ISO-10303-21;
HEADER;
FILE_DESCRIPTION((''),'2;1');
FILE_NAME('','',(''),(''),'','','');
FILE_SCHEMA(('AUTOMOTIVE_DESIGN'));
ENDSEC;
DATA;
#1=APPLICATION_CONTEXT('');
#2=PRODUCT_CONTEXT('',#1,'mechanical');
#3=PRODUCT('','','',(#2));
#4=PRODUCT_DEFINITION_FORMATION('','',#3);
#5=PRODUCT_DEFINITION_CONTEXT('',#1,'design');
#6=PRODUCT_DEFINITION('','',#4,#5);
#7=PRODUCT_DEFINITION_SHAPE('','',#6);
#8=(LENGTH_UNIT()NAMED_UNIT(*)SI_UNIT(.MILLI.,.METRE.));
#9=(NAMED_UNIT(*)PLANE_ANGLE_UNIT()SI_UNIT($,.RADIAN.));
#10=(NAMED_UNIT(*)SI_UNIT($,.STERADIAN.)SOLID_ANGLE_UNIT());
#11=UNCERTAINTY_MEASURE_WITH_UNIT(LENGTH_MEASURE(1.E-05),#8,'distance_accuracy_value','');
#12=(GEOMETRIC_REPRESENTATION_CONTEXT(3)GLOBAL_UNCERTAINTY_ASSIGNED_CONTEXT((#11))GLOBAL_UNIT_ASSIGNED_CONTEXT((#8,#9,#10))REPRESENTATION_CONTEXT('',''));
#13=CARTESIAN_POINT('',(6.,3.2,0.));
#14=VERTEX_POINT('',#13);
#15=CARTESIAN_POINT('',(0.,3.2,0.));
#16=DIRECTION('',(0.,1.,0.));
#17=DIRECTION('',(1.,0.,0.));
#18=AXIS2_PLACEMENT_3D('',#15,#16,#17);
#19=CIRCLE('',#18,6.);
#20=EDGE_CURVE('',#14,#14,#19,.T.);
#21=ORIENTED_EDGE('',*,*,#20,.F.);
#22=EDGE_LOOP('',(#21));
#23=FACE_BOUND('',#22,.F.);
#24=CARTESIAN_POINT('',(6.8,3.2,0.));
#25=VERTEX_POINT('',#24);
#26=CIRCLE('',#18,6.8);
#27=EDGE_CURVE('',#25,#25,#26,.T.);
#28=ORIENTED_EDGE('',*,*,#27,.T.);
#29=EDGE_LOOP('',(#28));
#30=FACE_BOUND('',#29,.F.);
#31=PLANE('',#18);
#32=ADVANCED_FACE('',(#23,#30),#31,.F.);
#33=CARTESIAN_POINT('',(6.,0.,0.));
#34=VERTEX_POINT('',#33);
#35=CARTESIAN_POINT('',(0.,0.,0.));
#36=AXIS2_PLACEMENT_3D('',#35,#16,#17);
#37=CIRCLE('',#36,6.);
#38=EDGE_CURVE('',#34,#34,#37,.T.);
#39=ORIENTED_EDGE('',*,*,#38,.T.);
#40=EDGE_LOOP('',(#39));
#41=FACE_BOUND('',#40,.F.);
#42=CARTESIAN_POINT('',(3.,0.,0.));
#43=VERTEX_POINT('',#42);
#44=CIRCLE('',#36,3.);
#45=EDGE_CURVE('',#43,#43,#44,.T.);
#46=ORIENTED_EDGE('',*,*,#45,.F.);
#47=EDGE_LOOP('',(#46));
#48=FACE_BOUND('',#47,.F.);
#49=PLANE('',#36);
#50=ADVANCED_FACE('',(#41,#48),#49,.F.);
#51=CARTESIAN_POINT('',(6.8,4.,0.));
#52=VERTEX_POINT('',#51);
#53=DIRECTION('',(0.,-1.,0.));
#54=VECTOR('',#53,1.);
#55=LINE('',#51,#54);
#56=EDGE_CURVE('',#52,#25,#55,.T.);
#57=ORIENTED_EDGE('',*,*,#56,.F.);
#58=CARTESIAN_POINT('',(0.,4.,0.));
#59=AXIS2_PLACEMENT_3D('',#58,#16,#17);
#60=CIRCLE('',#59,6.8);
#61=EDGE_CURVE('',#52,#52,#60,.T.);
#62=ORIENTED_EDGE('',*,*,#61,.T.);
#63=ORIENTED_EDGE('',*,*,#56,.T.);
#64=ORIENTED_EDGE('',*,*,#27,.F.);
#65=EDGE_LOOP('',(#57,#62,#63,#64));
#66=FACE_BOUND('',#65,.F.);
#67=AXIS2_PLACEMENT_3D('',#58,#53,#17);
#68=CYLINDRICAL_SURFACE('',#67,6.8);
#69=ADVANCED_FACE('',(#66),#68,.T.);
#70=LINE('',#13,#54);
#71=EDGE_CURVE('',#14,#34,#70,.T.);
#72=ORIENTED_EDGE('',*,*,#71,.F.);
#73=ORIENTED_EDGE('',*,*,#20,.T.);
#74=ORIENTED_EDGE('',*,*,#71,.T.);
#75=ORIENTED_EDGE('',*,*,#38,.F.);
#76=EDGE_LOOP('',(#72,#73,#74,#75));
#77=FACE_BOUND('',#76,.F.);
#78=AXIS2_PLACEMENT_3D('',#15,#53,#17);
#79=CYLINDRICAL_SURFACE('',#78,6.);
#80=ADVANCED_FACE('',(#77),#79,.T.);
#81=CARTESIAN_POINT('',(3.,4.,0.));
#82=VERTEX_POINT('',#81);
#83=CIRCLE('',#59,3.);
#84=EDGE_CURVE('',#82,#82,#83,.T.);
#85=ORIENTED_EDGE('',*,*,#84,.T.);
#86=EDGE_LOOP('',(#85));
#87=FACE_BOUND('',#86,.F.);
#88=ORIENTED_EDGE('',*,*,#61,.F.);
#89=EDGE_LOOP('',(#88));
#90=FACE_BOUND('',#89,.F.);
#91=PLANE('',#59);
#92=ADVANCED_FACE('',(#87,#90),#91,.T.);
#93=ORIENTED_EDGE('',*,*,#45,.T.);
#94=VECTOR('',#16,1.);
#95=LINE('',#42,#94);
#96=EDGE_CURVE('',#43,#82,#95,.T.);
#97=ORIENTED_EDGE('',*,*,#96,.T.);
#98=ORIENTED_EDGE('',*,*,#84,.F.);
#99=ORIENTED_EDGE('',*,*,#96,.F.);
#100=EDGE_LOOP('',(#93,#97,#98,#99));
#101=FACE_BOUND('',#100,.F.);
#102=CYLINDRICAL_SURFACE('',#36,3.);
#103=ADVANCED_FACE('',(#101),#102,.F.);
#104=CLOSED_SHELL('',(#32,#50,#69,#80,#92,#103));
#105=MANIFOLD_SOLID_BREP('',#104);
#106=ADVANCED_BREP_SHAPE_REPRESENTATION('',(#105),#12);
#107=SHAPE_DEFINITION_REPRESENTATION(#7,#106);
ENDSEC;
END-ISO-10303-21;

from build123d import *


with BuildPart() as part:
    # Esquisse1 → Révolution1 (revolve)
    with BuildSketch(Plane.XY):
        Polygon((3, 4), (6.8, 4), (6.8, 3.2), (6, 3.2), (6, 0), (3, 0), align=None)
    revolve(axis=Axis((0, 0, 0), (0, 1, 0)))


solid = part.part
